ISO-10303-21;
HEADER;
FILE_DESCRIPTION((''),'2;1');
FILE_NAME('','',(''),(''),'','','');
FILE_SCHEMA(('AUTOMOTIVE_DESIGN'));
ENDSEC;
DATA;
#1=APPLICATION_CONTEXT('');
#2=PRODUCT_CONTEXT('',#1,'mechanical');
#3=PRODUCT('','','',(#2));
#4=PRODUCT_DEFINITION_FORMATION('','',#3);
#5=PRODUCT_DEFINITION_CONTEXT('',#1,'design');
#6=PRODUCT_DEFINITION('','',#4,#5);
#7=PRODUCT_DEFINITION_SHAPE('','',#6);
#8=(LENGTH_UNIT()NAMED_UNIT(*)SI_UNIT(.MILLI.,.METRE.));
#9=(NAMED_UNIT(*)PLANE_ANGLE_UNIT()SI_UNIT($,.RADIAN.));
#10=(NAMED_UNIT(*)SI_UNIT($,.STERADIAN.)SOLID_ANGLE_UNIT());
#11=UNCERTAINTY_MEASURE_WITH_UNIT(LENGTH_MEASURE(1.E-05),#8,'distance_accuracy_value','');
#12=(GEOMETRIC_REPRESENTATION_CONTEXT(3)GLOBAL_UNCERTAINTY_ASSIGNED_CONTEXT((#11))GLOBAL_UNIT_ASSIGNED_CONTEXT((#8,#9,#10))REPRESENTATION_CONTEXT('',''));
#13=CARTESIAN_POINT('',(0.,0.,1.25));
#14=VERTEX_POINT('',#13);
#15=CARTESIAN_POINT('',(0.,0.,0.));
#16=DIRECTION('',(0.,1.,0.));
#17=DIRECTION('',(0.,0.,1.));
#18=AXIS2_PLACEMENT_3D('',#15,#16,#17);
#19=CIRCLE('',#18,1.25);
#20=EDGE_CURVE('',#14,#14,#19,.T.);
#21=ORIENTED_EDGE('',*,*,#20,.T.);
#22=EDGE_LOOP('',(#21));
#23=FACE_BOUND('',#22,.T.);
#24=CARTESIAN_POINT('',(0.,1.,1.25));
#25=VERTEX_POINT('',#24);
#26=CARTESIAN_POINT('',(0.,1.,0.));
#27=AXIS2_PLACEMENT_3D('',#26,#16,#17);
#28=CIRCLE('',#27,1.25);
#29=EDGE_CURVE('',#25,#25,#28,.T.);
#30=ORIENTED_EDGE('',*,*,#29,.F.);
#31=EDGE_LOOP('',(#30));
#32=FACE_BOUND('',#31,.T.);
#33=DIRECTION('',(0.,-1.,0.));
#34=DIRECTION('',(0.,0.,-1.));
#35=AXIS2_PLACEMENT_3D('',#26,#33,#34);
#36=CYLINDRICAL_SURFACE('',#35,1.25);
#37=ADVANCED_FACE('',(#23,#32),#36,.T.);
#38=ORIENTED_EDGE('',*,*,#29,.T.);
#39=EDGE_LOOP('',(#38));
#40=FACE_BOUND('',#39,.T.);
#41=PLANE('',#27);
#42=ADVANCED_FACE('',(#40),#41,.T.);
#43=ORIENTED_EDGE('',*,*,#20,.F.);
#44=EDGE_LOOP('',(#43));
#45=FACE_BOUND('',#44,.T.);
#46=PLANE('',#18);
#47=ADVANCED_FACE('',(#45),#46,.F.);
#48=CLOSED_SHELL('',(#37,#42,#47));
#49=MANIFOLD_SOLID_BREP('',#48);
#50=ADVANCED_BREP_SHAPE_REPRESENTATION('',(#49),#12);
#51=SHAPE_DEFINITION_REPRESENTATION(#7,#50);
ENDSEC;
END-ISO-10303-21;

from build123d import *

# Parameters (mm, degrees)
CROQUIS1_R              = 1.25
SALIENTE_EXTRUIR1_DEPTH = 1


with BuildPart() as part:
    # Croquis1 → Saliente-Extruir1 (new body)
    with BuildSketch(Plane(origin=(0, 0, 0), x_dir=(1, 0, 0), z_dir=(0, 1, 0))):
        Circle(CROQUIS1_R)
    extrude(amount=SALIENTE_EXTRUIR1_DEPTH)


solid = part.part
